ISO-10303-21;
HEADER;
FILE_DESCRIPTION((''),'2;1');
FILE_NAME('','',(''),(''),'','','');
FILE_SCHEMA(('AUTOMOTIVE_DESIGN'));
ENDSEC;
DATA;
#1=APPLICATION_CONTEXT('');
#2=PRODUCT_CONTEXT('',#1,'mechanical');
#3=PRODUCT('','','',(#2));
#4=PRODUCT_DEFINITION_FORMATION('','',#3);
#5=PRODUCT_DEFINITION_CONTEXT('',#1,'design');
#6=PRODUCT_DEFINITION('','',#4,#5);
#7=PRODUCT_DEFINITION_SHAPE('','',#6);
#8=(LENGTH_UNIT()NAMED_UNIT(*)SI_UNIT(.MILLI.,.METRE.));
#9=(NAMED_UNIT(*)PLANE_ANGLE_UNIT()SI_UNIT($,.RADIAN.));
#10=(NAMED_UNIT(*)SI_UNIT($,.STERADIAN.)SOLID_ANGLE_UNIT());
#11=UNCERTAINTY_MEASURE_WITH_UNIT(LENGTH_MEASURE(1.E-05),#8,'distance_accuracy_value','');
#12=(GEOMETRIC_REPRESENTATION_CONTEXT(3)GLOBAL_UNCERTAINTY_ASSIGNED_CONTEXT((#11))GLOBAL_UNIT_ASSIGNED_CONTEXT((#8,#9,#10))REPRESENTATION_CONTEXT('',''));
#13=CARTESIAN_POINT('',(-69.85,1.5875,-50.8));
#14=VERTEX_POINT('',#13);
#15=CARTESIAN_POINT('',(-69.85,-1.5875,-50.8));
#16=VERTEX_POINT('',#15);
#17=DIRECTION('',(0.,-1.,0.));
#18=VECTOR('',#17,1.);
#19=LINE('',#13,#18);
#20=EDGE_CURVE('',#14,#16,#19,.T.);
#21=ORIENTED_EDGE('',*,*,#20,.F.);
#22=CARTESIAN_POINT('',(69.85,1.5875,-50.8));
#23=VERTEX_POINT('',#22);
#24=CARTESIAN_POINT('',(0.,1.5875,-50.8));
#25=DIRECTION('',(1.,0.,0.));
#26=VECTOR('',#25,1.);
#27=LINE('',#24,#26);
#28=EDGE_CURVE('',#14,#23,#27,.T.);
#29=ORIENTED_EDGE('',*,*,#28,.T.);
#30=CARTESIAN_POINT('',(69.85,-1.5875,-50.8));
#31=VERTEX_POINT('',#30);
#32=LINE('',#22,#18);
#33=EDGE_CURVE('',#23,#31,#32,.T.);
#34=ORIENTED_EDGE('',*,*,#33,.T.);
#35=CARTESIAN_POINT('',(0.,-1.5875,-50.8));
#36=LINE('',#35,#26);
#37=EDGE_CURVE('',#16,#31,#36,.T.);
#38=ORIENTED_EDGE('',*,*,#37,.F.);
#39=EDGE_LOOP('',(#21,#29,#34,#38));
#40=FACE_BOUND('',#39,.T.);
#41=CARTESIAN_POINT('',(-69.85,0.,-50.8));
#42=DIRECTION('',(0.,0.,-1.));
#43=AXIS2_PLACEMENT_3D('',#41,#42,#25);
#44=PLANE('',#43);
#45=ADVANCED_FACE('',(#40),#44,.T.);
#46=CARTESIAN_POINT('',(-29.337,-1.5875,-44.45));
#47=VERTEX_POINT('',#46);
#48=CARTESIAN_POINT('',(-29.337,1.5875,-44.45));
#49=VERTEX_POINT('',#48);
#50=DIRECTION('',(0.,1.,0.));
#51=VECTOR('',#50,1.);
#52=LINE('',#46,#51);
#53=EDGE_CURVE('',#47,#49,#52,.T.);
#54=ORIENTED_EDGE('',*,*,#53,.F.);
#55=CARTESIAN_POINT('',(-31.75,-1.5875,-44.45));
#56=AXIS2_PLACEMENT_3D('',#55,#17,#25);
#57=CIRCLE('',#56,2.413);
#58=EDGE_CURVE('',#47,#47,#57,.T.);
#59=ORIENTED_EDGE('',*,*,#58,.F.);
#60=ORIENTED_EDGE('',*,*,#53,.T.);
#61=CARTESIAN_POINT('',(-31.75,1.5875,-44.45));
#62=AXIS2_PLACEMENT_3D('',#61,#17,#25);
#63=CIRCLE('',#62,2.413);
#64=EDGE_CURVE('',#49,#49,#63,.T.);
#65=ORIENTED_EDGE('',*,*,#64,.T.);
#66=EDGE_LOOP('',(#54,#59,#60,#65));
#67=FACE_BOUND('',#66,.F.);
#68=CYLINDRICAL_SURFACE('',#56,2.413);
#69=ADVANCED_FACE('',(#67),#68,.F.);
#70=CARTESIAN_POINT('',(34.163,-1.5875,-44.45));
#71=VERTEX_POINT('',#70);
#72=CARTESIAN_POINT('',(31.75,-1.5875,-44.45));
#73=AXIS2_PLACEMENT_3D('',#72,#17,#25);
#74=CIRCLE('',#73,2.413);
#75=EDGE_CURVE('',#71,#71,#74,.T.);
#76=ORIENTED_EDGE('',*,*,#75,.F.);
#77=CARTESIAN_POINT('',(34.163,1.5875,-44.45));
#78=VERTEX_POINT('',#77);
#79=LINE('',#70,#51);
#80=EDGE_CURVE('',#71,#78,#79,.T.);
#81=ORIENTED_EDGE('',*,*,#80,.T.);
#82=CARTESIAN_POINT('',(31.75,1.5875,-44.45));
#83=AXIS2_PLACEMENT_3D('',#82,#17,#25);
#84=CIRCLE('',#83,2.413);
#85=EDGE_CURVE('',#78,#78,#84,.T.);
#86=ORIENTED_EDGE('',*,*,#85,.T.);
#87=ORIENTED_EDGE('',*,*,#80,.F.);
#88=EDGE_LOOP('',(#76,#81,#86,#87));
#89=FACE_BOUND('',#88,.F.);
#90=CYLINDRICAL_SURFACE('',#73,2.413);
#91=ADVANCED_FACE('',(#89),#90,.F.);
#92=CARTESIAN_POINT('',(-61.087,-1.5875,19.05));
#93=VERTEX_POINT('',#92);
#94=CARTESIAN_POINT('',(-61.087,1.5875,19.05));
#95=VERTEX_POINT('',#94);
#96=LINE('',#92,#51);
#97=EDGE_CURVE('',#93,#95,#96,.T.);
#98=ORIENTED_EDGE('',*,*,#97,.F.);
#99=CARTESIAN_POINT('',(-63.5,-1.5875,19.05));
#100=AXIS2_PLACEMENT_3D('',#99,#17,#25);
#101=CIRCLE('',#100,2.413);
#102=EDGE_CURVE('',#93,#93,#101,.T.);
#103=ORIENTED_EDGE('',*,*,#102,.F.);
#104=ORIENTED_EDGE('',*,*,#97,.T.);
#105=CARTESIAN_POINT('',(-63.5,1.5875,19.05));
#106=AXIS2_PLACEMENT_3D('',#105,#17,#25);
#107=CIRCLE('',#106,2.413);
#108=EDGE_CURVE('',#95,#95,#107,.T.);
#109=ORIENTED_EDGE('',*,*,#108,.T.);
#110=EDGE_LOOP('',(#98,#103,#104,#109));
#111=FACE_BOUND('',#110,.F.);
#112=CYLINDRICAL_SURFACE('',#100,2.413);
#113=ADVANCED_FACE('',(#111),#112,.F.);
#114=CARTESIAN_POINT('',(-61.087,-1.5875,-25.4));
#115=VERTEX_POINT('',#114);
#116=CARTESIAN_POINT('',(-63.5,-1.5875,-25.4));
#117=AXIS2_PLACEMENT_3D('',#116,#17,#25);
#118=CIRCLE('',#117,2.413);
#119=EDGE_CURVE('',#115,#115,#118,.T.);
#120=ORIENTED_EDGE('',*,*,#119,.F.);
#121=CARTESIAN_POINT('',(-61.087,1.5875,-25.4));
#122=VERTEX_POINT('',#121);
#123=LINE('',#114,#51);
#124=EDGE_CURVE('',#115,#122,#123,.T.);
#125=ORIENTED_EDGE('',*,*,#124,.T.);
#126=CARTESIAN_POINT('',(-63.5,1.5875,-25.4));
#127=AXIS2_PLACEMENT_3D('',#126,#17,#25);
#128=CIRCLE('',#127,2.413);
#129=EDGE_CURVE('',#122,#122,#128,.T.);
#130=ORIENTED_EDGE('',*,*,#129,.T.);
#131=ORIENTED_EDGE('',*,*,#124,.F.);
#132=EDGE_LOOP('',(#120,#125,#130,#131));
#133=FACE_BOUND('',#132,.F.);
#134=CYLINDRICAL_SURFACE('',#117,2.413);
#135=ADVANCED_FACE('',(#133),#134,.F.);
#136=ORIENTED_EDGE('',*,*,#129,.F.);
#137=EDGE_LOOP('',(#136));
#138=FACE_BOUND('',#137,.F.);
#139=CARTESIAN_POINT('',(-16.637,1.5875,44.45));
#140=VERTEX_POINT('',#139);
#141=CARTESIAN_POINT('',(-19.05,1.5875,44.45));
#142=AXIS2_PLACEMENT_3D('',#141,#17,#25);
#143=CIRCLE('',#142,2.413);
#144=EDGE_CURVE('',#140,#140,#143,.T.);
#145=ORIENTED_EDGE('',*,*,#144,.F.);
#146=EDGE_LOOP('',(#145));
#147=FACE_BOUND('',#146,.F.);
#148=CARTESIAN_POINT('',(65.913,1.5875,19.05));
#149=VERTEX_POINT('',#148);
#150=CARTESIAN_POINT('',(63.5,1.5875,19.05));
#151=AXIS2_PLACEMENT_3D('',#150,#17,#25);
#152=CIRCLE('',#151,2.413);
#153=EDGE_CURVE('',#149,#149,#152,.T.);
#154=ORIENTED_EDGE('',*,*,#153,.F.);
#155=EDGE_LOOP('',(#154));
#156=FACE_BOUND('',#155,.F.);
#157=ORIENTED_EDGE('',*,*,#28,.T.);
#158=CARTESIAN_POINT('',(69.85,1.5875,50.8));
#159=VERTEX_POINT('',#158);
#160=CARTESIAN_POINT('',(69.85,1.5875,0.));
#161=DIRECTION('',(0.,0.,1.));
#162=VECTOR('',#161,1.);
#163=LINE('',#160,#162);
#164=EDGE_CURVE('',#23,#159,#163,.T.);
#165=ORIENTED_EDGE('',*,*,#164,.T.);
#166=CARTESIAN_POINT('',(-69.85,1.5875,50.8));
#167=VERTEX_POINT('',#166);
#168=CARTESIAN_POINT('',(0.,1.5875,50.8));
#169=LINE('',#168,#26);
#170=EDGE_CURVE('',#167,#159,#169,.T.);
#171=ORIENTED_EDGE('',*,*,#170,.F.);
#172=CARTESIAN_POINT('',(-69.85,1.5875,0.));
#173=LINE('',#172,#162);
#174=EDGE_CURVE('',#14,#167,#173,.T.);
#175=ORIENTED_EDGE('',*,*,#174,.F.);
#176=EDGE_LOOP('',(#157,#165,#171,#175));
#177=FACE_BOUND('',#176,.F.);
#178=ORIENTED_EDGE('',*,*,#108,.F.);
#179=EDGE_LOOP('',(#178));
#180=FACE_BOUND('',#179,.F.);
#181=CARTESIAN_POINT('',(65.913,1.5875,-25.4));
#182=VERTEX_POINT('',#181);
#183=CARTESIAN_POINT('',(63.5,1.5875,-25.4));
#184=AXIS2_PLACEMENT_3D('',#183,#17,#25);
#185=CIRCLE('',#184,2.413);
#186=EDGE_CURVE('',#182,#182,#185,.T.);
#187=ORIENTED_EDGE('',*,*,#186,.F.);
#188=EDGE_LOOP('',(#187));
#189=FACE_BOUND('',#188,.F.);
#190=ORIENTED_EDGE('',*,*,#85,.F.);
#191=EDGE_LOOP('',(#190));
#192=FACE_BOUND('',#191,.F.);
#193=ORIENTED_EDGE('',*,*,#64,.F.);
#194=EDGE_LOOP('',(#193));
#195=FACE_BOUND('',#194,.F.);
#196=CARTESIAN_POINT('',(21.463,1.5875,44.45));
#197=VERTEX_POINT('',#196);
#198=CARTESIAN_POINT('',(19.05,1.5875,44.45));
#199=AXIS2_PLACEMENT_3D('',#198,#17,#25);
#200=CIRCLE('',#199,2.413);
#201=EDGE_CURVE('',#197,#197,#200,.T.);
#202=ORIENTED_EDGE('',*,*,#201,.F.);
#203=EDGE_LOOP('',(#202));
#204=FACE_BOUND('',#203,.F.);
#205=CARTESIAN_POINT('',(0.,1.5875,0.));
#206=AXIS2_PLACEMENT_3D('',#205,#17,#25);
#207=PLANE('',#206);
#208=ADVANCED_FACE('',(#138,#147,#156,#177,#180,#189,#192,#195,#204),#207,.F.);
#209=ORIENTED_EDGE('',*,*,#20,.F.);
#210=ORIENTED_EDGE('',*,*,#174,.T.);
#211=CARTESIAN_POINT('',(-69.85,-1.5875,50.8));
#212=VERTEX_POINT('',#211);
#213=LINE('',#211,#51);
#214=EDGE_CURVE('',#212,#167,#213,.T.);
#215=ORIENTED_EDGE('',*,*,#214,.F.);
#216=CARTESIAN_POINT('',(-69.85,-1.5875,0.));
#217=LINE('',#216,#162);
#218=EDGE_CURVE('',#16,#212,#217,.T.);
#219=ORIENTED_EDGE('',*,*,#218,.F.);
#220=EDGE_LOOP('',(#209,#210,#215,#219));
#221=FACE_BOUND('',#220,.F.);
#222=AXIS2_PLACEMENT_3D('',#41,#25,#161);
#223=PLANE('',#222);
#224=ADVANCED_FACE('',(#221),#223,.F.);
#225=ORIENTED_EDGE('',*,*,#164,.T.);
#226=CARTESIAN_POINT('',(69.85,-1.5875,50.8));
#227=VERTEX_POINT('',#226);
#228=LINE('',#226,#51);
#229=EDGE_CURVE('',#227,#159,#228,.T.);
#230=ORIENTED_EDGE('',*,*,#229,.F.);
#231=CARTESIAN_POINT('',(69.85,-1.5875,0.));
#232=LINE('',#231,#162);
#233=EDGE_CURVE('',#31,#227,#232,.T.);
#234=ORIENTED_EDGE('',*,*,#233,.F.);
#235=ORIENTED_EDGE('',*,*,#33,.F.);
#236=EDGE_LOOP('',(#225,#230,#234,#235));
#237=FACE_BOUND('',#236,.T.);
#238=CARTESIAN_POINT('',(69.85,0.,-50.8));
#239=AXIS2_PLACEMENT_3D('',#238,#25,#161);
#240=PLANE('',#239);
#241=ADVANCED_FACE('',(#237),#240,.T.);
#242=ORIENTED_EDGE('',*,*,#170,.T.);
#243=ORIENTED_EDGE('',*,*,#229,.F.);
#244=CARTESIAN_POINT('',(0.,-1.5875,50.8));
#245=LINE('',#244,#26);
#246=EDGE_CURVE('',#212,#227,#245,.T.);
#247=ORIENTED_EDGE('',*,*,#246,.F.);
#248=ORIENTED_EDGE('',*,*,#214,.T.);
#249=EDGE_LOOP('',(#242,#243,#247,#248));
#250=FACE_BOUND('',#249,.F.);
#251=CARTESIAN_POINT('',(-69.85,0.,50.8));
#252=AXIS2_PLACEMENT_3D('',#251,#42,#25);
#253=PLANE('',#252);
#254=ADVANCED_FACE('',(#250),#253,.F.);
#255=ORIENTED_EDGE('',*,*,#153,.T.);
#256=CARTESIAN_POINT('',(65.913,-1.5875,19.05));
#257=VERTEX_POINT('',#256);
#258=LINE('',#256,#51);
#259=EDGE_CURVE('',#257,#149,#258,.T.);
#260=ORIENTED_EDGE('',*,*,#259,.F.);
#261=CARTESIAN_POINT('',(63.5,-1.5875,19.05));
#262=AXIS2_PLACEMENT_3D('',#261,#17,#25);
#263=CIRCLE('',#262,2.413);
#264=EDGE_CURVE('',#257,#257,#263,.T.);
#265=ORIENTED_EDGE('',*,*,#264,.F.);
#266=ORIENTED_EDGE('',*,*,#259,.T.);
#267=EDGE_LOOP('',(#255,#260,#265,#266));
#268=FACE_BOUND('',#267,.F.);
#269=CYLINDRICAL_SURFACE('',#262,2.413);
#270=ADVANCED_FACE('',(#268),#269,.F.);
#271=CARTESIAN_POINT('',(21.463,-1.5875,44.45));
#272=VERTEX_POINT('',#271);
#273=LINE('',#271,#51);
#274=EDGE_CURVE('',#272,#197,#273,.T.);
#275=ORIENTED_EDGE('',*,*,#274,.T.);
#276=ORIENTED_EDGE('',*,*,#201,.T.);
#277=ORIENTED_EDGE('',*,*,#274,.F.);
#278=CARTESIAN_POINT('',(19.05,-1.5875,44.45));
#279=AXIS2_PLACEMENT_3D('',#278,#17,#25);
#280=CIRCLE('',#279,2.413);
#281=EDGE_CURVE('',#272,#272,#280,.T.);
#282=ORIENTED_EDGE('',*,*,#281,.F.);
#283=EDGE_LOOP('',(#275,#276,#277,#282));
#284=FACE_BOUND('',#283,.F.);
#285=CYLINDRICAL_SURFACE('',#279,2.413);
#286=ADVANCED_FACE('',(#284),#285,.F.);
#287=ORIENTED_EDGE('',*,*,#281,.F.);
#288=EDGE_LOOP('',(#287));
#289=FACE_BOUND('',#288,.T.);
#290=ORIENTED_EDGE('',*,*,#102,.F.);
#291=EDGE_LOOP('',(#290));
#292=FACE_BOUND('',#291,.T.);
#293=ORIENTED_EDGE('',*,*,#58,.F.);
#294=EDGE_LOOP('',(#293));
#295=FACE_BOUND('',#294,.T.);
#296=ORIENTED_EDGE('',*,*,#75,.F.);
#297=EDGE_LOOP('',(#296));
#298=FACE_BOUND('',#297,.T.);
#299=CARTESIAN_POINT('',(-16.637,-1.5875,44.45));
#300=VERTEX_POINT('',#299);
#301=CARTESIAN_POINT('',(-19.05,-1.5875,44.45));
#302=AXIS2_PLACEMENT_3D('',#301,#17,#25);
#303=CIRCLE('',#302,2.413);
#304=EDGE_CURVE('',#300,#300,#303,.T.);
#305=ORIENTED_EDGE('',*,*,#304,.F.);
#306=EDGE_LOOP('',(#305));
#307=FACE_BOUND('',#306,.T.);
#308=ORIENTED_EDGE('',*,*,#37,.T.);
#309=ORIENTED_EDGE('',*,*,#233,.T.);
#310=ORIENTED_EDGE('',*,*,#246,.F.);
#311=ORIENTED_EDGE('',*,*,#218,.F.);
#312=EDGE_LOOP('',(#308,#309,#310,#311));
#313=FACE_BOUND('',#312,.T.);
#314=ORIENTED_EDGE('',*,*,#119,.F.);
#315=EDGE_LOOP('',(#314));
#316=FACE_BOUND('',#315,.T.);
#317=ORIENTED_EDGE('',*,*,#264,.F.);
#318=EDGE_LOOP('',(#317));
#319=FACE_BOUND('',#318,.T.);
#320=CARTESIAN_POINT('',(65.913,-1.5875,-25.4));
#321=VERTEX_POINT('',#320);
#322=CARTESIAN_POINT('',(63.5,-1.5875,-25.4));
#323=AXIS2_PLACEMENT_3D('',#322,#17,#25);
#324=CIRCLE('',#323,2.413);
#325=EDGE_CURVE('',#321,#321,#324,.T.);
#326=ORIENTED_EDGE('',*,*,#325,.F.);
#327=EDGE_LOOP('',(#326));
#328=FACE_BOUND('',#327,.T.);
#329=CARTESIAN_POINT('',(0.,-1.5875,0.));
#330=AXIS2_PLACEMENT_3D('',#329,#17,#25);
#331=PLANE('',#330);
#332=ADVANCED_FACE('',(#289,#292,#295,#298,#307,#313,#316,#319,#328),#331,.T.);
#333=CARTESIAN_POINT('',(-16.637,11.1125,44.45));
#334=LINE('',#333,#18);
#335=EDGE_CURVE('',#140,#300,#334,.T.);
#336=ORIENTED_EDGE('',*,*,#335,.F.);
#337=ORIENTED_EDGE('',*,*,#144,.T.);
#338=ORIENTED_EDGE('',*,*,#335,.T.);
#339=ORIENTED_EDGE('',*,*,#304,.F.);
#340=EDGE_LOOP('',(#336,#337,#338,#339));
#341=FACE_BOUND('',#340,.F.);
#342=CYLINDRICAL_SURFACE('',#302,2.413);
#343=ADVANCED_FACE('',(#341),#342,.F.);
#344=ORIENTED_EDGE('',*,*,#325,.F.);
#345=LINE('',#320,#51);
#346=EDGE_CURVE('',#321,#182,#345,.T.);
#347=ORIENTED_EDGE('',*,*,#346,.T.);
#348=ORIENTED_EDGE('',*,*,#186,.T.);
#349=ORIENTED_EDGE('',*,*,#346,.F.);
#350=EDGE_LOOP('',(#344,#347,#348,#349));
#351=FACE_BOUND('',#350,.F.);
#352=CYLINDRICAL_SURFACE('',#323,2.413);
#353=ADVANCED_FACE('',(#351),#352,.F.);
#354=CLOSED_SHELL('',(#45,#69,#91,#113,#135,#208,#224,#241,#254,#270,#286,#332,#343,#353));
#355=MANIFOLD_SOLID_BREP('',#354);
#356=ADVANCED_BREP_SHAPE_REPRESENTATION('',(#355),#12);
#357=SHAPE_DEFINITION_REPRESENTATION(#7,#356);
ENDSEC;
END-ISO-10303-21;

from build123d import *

# Parameters (mm, degrees)
F0_W     = 139.7
F0_H     = 101.6
F1_DEPTH = 1.5875
F2_R     = 2.413
F3_DEPTH = 12.7


with BuildPart() as f1:
    # F0 (on Front) → F1 (new body, symmetric)
    with BuildSketch(Plane.XZ):
        Rectangle(F0_W, F0_H)
    extrude(amount=F1_DEPTH, both=True)

    # F2 (on face) → F3 (cut, symmetric)
    with BuildSketch(Plane.XZ.offset(1.5875)):
        with Locations((-63.5, 19.05)):
            Circle(F2_R)
        with Locations((-63.5, -25.4)):
            Circle(F2_R)
        with Locations((-31.75, -44.45)):
            Circle(F2_R)
        with Locations((31.75, -44.45)):
            Circle(F2_R)
        with Locations((63.5, -25.4)):
            Circle(F2_R)
        with Locations((63.5, 19.05)):
            Circle(F2_R)
        with Locations((19.05, 44.45)):
            Circle(F2_R)
        with Locations((-19.05, 44.45)):
            Circle(F2_R)
    extrude(amount=F3_DEPTH, both=True, mode=Mode.SUBTRACT)


solid = f1.part
